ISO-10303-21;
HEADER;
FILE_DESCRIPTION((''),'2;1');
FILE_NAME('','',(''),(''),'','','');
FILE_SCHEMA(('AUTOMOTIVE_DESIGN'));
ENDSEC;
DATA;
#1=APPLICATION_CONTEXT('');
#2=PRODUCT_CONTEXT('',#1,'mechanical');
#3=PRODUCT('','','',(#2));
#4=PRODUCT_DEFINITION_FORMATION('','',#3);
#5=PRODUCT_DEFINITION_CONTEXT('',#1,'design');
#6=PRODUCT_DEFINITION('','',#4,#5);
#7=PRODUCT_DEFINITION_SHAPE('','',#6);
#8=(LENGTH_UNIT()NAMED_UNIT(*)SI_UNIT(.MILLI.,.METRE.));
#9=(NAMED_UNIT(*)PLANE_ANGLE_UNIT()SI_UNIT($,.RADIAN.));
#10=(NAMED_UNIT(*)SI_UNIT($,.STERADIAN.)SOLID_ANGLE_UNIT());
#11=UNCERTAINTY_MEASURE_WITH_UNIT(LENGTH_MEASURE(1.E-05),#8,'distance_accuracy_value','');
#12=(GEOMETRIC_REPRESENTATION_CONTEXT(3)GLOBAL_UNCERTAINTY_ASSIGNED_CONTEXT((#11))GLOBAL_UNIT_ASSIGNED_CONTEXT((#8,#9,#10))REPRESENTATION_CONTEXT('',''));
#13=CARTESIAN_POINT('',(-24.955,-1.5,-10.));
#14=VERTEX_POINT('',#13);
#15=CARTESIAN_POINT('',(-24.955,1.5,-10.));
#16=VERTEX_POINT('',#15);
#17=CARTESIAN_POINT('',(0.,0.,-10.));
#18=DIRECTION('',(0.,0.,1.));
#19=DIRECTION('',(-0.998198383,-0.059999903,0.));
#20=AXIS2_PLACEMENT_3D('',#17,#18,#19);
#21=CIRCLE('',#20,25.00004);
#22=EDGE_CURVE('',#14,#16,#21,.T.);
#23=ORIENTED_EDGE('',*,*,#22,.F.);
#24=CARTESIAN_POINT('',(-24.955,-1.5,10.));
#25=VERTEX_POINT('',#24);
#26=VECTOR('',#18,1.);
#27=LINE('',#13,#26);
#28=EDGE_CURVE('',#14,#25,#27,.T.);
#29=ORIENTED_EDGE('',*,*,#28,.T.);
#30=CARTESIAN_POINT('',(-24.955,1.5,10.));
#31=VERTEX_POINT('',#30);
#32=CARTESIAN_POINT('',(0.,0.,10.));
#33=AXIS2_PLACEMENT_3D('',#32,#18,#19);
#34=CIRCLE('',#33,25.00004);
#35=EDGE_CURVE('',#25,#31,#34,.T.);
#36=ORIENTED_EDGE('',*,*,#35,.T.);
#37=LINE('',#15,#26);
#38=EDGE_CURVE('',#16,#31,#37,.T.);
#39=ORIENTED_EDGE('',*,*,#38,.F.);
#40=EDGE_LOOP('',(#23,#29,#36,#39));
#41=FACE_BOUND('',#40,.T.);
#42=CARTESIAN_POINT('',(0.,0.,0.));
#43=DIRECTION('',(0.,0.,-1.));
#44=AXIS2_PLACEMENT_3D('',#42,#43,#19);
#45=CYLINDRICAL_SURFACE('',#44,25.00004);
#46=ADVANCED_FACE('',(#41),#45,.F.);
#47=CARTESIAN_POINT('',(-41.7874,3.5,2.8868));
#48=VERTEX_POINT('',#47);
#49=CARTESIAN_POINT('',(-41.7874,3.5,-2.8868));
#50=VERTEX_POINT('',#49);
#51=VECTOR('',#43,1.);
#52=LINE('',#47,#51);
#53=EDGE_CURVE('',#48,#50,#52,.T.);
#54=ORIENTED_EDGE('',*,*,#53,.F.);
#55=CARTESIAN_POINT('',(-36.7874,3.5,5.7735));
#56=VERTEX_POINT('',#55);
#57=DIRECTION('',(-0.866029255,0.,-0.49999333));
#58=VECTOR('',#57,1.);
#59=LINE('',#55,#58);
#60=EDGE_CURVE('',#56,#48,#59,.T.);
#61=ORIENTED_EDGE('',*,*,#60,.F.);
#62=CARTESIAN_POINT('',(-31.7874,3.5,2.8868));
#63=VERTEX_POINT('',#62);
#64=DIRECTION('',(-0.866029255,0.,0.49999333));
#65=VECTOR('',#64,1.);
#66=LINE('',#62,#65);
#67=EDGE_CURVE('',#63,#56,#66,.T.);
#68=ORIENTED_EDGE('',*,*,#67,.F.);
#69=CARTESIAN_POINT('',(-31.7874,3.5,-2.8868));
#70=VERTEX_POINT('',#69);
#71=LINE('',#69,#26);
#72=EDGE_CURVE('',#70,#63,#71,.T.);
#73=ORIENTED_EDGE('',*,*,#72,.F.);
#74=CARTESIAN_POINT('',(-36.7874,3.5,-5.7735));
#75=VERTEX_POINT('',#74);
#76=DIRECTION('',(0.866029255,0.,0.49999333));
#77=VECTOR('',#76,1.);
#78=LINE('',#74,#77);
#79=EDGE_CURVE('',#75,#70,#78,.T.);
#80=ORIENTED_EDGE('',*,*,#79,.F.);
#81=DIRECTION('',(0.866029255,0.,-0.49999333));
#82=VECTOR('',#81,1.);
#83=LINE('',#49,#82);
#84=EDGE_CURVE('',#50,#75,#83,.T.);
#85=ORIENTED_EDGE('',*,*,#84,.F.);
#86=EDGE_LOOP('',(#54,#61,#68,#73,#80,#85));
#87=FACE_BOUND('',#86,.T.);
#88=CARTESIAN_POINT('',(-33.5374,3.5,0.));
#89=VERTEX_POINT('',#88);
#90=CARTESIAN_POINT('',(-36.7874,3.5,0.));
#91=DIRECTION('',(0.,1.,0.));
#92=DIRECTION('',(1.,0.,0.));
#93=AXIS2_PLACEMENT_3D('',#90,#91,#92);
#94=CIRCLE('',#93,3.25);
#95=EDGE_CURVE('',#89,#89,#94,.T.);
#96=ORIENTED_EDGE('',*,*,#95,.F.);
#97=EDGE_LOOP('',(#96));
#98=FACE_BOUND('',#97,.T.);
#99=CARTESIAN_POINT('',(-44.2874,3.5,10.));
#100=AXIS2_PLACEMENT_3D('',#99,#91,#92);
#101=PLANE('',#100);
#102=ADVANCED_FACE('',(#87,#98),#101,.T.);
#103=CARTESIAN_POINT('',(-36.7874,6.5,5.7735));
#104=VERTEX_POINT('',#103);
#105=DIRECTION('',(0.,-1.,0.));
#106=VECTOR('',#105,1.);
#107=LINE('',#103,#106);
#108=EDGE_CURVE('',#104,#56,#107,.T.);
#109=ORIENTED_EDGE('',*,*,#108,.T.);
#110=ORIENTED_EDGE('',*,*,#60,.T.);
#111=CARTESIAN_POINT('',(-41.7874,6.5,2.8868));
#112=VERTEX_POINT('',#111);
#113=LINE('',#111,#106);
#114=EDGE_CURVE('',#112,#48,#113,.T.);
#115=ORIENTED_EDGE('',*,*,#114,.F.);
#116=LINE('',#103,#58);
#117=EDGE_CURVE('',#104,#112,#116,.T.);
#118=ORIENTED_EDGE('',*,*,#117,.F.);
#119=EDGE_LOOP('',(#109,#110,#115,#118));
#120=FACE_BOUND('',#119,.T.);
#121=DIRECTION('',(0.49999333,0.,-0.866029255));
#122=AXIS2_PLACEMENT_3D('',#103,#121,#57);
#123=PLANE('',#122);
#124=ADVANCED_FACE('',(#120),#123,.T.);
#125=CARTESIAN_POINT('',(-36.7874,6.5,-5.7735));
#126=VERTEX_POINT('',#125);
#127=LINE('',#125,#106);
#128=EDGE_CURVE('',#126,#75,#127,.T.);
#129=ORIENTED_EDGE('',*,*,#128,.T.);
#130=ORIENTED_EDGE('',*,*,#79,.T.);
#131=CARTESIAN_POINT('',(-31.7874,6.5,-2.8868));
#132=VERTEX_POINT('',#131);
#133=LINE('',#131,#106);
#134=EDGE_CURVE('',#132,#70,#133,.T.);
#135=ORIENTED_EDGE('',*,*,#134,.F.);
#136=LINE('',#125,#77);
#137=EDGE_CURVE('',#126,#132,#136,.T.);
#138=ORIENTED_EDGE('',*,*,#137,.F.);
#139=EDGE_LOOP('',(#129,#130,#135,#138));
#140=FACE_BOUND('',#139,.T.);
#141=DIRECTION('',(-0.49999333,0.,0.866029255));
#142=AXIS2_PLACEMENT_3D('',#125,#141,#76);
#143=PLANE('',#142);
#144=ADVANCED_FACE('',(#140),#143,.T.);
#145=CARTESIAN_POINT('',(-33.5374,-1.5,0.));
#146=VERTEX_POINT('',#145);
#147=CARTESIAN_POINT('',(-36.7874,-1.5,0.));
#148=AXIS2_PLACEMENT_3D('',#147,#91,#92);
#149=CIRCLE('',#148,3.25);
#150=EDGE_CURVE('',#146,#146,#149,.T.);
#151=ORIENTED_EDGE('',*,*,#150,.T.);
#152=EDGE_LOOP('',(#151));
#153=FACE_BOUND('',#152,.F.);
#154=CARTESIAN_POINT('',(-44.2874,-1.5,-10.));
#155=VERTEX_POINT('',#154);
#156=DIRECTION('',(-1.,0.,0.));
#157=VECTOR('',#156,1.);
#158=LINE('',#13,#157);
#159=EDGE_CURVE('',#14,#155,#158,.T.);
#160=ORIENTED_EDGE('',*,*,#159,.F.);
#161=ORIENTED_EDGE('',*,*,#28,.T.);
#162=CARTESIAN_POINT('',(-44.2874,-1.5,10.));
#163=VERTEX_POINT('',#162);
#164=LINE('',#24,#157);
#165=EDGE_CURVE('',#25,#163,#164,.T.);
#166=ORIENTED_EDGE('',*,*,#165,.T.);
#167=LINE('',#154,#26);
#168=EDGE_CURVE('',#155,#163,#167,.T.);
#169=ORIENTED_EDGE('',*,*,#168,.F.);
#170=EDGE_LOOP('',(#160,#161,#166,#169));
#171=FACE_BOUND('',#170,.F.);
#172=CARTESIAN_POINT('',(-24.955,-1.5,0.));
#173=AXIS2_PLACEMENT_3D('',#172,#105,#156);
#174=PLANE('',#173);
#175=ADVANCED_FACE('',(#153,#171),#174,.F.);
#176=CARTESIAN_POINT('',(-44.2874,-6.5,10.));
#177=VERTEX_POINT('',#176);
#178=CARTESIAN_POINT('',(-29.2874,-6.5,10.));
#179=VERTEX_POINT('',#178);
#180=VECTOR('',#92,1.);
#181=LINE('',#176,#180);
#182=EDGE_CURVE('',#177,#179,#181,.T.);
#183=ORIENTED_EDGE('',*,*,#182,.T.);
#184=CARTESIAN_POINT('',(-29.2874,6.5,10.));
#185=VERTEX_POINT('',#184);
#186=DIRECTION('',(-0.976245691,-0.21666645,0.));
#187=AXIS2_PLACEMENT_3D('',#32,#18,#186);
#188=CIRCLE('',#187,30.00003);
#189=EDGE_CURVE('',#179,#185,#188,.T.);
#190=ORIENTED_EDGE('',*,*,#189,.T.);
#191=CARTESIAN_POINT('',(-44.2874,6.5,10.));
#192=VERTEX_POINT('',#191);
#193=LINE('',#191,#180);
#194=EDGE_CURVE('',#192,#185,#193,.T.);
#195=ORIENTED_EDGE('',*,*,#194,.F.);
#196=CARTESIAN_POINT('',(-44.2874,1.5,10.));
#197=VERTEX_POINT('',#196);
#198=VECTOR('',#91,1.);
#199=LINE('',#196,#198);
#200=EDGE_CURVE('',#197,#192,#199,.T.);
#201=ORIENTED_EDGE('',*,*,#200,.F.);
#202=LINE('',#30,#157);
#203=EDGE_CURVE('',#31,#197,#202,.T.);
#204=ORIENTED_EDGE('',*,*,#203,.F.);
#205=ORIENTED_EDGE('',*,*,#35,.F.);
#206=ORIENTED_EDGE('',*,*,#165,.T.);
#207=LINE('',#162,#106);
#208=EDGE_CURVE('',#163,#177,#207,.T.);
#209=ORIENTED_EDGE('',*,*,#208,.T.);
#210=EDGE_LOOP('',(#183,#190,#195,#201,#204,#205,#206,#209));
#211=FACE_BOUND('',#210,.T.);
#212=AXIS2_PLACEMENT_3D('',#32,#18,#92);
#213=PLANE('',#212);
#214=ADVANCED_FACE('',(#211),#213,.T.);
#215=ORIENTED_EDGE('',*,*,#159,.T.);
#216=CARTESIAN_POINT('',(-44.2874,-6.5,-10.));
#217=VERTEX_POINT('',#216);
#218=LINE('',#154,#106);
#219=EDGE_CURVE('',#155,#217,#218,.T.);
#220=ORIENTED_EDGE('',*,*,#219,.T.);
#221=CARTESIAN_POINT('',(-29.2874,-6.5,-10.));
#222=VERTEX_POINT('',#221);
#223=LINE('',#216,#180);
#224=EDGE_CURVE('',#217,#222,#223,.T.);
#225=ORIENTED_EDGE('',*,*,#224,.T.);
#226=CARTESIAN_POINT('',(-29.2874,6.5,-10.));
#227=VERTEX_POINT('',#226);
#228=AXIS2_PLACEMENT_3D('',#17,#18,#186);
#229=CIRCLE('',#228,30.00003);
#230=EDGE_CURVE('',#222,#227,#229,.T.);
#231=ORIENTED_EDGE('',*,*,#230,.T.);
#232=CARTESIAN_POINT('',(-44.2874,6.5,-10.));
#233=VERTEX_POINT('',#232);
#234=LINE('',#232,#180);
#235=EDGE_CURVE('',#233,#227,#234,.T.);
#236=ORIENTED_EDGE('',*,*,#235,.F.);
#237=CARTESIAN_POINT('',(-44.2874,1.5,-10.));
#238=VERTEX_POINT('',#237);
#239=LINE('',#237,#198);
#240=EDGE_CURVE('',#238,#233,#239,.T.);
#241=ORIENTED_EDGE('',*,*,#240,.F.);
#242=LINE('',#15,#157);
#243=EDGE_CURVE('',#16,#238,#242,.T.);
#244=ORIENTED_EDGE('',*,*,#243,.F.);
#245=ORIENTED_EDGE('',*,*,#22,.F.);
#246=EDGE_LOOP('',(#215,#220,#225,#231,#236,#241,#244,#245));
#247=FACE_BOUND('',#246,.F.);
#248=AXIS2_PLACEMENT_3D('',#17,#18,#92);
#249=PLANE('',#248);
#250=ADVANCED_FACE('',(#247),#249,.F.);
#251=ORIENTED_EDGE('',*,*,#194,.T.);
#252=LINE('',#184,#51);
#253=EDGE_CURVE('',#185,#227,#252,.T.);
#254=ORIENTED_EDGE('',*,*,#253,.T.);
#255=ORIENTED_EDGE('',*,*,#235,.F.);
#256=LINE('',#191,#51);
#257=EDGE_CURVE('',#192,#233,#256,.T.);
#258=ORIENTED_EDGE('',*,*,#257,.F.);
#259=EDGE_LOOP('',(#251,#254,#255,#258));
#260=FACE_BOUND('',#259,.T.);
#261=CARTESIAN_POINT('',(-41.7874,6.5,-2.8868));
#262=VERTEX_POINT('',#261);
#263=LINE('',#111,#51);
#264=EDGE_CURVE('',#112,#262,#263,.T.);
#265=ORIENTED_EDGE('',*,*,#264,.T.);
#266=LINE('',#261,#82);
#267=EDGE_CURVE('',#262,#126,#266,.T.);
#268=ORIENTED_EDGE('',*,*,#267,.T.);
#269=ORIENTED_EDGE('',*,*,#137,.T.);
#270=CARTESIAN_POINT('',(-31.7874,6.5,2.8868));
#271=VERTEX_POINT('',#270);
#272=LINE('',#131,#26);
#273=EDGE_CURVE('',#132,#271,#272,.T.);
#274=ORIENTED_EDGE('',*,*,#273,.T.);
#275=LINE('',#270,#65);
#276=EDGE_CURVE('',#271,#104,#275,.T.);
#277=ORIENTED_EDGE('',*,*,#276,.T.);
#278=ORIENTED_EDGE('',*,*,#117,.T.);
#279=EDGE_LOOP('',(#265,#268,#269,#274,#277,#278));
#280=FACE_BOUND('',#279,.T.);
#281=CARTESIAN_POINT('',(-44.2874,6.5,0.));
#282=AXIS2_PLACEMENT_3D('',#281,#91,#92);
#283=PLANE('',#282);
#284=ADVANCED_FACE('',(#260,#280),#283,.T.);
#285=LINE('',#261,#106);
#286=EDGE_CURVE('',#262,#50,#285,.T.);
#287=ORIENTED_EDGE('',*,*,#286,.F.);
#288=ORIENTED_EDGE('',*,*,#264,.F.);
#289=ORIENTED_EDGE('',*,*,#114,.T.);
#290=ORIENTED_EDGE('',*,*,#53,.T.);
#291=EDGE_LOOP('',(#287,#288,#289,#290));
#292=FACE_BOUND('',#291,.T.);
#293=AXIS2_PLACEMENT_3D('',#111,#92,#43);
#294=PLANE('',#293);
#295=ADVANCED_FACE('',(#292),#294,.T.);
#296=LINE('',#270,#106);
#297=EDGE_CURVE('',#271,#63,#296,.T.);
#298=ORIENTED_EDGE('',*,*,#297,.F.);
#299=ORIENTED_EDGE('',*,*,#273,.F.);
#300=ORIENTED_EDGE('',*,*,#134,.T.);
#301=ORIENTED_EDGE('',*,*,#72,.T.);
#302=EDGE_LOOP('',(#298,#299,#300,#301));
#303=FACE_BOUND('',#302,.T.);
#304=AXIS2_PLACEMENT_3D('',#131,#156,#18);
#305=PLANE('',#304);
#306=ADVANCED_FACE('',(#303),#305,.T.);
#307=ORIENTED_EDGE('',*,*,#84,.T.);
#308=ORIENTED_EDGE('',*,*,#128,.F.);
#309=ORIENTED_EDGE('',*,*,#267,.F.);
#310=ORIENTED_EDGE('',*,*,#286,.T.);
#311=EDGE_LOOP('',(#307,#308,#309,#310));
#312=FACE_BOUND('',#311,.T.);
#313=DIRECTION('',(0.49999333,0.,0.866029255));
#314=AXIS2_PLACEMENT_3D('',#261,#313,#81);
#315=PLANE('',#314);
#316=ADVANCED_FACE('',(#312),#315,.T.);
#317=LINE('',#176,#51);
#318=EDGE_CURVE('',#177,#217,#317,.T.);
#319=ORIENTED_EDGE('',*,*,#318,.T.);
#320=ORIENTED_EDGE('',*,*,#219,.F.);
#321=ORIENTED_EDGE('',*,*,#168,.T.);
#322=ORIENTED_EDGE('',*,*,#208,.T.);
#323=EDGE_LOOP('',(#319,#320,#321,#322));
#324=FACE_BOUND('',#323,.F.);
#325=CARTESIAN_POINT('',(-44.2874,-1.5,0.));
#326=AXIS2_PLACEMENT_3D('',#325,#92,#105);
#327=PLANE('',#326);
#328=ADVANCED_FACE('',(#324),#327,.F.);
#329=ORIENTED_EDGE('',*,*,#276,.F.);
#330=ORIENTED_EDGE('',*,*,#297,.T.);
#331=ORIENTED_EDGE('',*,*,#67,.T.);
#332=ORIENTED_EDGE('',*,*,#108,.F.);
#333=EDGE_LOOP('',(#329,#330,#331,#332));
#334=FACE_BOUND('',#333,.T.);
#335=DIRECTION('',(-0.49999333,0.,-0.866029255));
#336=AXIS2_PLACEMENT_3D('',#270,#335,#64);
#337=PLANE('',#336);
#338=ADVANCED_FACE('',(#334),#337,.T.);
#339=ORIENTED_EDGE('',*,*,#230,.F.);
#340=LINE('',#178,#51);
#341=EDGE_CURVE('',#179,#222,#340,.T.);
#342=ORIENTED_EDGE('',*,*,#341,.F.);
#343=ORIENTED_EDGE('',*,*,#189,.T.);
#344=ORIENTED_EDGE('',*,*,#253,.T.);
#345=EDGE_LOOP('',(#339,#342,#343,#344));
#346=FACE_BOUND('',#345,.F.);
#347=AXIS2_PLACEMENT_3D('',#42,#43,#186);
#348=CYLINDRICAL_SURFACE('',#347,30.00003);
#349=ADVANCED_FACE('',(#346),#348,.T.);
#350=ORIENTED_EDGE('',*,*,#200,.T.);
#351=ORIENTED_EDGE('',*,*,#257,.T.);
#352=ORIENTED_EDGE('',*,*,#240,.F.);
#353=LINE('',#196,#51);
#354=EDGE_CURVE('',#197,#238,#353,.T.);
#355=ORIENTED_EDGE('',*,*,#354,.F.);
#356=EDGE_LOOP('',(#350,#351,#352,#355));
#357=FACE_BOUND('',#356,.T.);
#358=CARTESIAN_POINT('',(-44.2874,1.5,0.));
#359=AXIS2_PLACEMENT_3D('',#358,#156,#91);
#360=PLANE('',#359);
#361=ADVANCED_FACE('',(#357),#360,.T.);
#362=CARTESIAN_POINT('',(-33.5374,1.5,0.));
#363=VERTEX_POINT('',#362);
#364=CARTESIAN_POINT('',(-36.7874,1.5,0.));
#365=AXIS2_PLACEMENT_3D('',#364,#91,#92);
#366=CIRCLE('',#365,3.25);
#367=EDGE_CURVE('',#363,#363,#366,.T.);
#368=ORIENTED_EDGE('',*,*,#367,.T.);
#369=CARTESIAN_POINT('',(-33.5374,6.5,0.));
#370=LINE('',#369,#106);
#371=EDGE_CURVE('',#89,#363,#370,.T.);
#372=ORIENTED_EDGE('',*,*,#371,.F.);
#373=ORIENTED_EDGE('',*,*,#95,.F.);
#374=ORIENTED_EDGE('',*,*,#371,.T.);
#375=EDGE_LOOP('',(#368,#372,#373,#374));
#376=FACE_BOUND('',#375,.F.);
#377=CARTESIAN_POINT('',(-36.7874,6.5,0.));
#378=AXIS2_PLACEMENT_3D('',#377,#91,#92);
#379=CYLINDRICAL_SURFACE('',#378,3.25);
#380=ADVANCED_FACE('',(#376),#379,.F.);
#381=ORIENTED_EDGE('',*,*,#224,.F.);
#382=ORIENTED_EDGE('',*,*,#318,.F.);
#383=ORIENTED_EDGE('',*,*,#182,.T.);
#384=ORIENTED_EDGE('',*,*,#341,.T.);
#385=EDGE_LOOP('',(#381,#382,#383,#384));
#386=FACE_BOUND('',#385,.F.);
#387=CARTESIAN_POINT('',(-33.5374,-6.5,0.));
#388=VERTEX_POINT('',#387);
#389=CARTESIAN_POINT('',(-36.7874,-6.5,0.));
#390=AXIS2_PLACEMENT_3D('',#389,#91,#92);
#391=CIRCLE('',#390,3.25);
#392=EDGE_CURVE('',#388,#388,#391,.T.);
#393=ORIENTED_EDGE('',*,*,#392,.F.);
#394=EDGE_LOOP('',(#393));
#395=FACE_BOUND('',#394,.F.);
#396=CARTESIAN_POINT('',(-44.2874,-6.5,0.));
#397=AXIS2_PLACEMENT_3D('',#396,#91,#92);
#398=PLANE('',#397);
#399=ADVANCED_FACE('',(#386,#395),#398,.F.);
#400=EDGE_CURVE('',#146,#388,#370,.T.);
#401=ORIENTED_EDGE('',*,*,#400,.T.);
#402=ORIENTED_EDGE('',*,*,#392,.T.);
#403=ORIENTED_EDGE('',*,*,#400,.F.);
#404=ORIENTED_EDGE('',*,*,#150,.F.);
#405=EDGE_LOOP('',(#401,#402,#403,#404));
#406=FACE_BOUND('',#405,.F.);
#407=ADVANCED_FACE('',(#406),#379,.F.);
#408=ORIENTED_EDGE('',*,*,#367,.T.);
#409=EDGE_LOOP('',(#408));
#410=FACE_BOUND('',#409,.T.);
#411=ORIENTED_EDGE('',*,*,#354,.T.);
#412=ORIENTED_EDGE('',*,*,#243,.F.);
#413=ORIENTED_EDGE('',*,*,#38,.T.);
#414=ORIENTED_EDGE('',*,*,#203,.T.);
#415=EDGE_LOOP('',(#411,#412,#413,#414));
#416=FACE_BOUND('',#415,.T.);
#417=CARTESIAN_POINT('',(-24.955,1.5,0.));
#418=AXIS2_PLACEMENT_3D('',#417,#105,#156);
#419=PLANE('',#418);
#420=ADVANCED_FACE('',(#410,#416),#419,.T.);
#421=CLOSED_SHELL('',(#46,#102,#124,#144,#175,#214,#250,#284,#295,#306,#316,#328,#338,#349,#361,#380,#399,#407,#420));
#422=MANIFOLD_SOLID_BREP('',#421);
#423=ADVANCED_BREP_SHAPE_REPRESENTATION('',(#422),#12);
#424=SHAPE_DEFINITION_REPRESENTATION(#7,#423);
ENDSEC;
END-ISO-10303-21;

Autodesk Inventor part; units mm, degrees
ref_plane "YZ Plane" through (0, 0, 0) normal (1, 0, 0) x (0, 1, 0)
ref_plane "XZ Plane" through (0, 0, 0) normal (0, 1, 0) x (-1, 0, 0)
ref_plane "XY Plane" through (0, 0, 0) normal (0, 0, 1) x (1, 0, 0)
sketch "Skizze1" plane through (0, 0, 0) normal (0, 0, 1) x (1, 0, 0)
  circle A0 centre (0, 0) radius 25 construction
  circle A1 centre (0, 0) radius 30 construction
  line L0 (-24.955, 1.5) -> (-44.2874, 1.5)
  line L1 (-44.2874, 1.5) -> (-44.2874, 6.5)
  line L2 (-44.2874, 6.5) -> (-29.2874, 6.5)
  line L3 (-24.955, -1.5) -> (-44.2874, -1.5)
  line L4 (-44.2874, -1.5) -> (-44.2874, -6.5)
  line L5 (-44.2874, -6.5) -> (-29.2874, -6.5)
  arc A2 (-29.2874, -6.5) -> (-29.2874, 6.5) centre (0, 0) ccw
  arc A3 (-24.955, -1.5) -> (-24.955, 1.5) centre (0, 0) ccw
  line L6 (-59.1448, 0) -> (44.8575, 0) construction
  dimension "d0" = 50
  dimension "d1" = 60
  dimension "d2" = 5
  dimension "d4" = 3
  dimension "d5" = 15
extrude "Extrusion1" add sketch "Skizze1" along normal mid plane 20
sketch "Skizze2" plane through (-44.2874, 6.5, 10) normal (0, 1, 0) x (1, 0, 0)
  line L0 (0, 20) -> (15, 0) construction
  line L1 (15, 20) -> (0, 0) construction
  line L2 (2.5, 12.8868) -> (7.5, 15.7735)
  line L3 (7.5, 15.7735) -> (12.5, 12.8868)
  line L4 (12.5, 12.8868) -> (12.5, 7.1132)
  line L5 (12.5, 7.1132) -> (7.5, 4.2265)
  line L6 (7.5, 4.2265) -> (2.5, 7.1132)
  line L7 (2.5, 7.1132) -> (2.5, 12.8868)
  circle A0 centre (7.5, 10) radius 3.25
  point P0 (44.2874, 10)
  dimension "d8" = 10
  dimension "d9" = 6.5
extrude "Extrusion2" cut sketch "Skizze2" against normal through all contours A0
extrude "Extrusion3" cut sketch "Skizze2" against normal blind 3
properties part number "Zyklon_Schelle"
